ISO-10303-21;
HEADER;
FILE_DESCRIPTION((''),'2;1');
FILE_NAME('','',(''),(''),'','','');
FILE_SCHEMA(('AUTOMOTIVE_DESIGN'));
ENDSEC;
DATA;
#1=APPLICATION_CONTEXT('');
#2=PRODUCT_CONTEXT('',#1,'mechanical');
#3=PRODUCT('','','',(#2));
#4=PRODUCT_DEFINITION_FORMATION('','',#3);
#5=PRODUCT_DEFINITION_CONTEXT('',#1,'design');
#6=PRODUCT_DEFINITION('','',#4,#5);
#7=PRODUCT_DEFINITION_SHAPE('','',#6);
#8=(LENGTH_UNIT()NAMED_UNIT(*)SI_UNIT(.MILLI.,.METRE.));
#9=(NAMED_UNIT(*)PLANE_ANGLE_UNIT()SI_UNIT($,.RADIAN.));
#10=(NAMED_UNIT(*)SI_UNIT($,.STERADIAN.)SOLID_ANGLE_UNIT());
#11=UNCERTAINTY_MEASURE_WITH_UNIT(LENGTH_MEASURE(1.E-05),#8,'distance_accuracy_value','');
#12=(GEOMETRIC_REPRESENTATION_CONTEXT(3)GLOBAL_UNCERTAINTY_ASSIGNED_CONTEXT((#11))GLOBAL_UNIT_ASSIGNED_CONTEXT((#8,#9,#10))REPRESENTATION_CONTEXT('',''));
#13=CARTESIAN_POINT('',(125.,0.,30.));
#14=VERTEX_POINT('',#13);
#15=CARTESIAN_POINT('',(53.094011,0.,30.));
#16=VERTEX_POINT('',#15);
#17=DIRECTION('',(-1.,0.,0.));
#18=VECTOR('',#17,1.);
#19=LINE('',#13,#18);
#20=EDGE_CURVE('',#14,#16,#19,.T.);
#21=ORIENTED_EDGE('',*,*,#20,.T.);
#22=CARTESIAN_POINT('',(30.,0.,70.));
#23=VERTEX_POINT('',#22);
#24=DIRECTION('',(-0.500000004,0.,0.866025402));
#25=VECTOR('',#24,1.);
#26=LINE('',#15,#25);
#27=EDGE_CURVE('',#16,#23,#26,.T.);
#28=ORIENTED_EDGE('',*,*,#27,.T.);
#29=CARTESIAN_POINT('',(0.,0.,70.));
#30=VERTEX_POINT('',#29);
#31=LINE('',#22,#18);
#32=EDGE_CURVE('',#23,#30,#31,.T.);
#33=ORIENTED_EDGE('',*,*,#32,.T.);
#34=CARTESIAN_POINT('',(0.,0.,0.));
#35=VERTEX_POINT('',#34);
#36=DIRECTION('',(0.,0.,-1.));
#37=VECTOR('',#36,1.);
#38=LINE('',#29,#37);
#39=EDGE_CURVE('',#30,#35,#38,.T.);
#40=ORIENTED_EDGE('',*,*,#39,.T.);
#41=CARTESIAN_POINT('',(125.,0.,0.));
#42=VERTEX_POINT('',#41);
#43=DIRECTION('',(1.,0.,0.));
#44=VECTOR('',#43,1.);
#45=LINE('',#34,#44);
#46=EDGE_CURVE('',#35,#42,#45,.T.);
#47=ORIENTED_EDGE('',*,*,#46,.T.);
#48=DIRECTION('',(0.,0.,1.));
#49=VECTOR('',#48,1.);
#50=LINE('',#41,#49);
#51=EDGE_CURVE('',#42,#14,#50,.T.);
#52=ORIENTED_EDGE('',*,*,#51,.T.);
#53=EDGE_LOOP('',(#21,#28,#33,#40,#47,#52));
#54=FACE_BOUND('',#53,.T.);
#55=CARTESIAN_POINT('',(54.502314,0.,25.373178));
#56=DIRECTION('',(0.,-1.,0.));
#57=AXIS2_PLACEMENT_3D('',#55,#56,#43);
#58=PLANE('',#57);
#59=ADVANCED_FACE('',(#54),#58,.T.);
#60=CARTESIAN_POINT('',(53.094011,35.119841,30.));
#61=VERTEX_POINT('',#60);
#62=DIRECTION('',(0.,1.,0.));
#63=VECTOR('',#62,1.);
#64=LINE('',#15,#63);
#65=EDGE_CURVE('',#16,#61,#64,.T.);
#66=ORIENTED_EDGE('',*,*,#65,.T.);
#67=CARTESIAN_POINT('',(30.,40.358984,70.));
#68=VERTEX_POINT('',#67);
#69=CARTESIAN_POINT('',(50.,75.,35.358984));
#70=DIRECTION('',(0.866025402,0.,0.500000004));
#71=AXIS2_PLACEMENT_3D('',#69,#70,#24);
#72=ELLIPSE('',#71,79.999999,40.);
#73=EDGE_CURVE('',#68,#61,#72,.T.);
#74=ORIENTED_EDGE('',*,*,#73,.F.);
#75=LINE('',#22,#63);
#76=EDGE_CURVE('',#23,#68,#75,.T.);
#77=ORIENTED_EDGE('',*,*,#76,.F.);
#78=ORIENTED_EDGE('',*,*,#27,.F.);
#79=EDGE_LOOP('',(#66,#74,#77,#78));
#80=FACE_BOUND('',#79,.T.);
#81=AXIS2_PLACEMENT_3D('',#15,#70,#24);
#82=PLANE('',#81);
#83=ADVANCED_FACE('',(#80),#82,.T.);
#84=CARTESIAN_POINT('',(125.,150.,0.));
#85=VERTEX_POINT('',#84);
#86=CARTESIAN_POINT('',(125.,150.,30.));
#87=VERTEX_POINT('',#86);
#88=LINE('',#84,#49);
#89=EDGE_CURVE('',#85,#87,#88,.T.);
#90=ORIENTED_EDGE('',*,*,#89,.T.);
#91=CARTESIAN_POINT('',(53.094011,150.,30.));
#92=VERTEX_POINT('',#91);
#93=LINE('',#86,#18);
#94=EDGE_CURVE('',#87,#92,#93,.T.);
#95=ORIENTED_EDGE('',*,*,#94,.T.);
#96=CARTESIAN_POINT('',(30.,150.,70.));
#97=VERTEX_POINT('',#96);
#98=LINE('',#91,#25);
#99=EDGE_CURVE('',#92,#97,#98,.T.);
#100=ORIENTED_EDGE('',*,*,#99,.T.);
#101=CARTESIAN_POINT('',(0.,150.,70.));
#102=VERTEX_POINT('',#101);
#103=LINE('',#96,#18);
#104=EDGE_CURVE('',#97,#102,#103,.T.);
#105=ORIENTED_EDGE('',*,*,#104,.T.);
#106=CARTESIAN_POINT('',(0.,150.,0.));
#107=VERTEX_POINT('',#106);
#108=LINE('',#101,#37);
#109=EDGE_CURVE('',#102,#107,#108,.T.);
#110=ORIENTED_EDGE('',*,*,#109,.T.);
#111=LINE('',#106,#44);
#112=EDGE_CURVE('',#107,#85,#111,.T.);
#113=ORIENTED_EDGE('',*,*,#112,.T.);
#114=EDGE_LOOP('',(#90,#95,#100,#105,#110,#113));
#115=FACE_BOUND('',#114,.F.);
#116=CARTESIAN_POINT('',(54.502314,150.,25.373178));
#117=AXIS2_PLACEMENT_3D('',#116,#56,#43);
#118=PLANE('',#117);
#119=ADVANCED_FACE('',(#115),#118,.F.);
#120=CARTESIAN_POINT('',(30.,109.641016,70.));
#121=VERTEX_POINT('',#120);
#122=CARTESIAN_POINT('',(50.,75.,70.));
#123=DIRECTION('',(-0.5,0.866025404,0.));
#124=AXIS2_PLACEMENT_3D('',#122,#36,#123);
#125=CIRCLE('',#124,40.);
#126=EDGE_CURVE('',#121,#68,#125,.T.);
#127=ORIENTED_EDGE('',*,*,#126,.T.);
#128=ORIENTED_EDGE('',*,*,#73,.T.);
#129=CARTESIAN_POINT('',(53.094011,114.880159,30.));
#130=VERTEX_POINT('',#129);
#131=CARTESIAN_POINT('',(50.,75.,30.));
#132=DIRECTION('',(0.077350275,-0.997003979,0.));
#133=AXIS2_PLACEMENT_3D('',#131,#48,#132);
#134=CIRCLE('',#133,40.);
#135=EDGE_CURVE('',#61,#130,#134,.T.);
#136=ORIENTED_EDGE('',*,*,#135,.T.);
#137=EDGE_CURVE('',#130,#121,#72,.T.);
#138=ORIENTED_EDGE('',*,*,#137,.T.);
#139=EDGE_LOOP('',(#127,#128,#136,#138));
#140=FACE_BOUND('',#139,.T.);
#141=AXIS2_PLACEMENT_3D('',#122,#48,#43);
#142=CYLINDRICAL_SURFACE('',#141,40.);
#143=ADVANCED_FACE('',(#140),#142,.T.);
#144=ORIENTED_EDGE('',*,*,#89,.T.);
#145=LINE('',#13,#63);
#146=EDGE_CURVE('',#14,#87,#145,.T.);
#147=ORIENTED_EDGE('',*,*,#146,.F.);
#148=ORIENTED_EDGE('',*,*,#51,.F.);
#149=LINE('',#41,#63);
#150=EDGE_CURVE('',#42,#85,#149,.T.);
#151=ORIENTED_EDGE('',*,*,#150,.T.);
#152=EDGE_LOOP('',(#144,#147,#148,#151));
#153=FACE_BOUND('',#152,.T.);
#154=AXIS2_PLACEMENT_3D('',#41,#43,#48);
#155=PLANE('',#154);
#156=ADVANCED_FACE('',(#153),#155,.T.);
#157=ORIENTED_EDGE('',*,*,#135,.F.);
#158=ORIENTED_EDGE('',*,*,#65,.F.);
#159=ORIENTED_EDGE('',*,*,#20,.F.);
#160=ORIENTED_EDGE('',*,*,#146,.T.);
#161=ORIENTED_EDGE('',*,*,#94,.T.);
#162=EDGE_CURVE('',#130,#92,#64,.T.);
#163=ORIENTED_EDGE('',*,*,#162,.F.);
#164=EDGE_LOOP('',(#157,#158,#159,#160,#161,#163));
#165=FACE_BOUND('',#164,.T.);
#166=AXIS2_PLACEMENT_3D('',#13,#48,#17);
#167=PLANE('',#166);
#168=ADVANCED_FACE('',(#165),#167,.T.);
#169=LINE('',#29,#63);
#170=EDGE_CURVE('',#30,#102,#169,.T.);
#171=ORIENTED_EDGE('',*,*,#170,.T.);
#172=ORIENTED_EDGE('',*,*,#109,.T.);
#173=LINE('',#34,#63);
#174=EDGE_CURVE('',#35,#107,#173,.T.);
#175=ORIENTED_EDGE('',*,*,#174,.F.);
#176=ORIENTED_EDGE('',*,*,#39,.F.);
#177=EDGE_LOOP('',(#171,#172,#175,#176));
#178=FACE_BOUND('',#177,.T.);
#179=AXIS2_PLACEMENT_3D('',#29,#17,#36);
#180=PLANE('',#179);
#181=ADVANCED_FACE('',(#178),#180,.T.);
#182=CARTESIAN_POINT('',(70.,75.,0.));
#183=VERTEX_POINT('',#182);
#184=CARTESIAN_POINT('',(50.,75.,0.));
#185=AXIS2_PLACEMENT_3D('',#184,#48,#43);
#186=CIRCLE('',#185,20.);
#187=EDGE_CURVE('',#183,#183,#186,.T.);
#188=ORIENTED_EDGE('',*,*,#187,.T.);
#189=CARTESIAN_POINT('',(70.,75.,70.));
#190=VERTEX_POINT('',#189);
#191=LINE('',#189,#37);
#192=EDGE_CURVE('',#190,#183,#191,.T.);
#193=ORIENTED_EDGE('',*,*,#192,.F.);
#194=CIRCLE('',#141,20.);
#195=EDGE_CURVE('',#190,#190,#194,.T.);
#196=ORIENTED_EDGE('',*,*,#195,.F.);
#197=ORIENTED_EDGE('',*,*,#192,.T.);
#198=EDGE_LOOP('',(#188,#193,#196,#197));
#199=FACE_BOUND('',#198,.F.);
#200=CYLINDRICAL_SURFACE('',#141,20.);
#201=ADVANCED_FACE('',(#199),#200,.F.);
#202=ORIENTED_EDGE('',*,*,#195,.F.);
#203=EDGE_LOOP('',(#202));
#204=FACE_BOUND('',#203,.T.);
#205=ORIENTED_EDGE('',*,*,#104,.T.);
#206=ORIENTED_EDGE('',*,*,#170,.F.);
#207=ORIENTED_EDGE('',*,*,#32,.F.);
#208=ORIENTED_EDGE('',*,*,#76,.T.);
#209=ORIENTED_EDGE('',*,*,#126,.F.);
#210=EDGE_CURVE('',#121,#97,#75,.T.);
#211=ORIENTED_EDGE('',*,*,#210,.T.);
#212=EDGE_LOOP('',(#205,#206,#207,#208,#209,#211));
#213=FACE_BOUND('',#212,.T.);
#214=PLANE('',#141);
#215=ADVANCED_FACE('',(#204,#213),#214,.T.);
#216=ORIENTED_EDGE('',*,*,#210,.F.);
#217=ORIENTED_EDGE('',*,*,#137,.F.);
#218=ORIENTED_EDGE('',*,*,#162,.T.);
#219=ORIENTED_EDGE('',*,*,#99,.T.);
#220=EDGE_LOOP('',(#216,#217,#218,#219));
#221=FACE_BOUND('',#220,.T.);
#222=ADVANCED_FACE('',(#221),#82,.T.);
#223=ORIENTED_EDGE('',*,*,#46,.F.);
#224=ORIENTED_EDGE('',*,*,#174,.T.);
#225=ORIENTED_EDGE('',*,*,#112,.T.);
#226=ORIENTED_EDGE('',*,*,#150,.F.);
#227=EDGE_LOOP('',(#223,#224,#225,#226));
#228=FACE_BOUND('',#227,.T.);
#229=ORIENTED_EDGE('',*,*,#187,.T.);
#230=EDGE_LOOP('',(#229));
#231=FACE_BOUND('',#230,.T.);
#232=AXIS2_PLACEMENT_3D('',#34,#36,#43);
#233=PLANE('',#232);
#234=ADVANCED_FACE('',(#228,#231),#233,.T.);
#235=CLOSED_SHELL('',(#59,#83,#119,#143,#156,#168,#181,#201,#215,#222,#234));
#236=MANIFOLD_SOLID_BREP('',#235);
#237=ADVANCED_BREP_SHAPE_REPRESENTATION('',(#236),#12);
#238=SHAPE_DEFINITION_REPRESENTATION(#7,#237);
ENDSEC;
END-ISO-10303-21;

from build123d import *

# Parameters (mm, degrees)
F1_DEPTH = 150
F2_R     = 40
F3_DEPTH = 40
F4_R     = 20
F5_DEPTH = 70.001


with BuildPart() as f1:
    # F0 (on Front) → F1 (new body)
    with BuildSketch(Plane.XZ):
        Polygon((0, 70), (0, 0), (125, 0), (125, 30), (53.094011, 30), (30, 70), align=None)
    extrude(amount=-F1_DEPTH)

    # F2 (on face) → F3 (join, through all)
    with BuildSketch(Plane.XY.offset(70)):
        with Locations((50, 75)):
            Circle(F2_R)
    extrude(amount=-F3_DEPTH)

    # F4 (on face) → F5 (cut, through all)
    with BuildSketch(Plane.XY.offset(70)):
        with Locations((50, 75)):
            Circle(F4_R)
    extrude(amount=-F5_DEPTH, mode=Mode.SUBTRACT)


solid = f1.part
